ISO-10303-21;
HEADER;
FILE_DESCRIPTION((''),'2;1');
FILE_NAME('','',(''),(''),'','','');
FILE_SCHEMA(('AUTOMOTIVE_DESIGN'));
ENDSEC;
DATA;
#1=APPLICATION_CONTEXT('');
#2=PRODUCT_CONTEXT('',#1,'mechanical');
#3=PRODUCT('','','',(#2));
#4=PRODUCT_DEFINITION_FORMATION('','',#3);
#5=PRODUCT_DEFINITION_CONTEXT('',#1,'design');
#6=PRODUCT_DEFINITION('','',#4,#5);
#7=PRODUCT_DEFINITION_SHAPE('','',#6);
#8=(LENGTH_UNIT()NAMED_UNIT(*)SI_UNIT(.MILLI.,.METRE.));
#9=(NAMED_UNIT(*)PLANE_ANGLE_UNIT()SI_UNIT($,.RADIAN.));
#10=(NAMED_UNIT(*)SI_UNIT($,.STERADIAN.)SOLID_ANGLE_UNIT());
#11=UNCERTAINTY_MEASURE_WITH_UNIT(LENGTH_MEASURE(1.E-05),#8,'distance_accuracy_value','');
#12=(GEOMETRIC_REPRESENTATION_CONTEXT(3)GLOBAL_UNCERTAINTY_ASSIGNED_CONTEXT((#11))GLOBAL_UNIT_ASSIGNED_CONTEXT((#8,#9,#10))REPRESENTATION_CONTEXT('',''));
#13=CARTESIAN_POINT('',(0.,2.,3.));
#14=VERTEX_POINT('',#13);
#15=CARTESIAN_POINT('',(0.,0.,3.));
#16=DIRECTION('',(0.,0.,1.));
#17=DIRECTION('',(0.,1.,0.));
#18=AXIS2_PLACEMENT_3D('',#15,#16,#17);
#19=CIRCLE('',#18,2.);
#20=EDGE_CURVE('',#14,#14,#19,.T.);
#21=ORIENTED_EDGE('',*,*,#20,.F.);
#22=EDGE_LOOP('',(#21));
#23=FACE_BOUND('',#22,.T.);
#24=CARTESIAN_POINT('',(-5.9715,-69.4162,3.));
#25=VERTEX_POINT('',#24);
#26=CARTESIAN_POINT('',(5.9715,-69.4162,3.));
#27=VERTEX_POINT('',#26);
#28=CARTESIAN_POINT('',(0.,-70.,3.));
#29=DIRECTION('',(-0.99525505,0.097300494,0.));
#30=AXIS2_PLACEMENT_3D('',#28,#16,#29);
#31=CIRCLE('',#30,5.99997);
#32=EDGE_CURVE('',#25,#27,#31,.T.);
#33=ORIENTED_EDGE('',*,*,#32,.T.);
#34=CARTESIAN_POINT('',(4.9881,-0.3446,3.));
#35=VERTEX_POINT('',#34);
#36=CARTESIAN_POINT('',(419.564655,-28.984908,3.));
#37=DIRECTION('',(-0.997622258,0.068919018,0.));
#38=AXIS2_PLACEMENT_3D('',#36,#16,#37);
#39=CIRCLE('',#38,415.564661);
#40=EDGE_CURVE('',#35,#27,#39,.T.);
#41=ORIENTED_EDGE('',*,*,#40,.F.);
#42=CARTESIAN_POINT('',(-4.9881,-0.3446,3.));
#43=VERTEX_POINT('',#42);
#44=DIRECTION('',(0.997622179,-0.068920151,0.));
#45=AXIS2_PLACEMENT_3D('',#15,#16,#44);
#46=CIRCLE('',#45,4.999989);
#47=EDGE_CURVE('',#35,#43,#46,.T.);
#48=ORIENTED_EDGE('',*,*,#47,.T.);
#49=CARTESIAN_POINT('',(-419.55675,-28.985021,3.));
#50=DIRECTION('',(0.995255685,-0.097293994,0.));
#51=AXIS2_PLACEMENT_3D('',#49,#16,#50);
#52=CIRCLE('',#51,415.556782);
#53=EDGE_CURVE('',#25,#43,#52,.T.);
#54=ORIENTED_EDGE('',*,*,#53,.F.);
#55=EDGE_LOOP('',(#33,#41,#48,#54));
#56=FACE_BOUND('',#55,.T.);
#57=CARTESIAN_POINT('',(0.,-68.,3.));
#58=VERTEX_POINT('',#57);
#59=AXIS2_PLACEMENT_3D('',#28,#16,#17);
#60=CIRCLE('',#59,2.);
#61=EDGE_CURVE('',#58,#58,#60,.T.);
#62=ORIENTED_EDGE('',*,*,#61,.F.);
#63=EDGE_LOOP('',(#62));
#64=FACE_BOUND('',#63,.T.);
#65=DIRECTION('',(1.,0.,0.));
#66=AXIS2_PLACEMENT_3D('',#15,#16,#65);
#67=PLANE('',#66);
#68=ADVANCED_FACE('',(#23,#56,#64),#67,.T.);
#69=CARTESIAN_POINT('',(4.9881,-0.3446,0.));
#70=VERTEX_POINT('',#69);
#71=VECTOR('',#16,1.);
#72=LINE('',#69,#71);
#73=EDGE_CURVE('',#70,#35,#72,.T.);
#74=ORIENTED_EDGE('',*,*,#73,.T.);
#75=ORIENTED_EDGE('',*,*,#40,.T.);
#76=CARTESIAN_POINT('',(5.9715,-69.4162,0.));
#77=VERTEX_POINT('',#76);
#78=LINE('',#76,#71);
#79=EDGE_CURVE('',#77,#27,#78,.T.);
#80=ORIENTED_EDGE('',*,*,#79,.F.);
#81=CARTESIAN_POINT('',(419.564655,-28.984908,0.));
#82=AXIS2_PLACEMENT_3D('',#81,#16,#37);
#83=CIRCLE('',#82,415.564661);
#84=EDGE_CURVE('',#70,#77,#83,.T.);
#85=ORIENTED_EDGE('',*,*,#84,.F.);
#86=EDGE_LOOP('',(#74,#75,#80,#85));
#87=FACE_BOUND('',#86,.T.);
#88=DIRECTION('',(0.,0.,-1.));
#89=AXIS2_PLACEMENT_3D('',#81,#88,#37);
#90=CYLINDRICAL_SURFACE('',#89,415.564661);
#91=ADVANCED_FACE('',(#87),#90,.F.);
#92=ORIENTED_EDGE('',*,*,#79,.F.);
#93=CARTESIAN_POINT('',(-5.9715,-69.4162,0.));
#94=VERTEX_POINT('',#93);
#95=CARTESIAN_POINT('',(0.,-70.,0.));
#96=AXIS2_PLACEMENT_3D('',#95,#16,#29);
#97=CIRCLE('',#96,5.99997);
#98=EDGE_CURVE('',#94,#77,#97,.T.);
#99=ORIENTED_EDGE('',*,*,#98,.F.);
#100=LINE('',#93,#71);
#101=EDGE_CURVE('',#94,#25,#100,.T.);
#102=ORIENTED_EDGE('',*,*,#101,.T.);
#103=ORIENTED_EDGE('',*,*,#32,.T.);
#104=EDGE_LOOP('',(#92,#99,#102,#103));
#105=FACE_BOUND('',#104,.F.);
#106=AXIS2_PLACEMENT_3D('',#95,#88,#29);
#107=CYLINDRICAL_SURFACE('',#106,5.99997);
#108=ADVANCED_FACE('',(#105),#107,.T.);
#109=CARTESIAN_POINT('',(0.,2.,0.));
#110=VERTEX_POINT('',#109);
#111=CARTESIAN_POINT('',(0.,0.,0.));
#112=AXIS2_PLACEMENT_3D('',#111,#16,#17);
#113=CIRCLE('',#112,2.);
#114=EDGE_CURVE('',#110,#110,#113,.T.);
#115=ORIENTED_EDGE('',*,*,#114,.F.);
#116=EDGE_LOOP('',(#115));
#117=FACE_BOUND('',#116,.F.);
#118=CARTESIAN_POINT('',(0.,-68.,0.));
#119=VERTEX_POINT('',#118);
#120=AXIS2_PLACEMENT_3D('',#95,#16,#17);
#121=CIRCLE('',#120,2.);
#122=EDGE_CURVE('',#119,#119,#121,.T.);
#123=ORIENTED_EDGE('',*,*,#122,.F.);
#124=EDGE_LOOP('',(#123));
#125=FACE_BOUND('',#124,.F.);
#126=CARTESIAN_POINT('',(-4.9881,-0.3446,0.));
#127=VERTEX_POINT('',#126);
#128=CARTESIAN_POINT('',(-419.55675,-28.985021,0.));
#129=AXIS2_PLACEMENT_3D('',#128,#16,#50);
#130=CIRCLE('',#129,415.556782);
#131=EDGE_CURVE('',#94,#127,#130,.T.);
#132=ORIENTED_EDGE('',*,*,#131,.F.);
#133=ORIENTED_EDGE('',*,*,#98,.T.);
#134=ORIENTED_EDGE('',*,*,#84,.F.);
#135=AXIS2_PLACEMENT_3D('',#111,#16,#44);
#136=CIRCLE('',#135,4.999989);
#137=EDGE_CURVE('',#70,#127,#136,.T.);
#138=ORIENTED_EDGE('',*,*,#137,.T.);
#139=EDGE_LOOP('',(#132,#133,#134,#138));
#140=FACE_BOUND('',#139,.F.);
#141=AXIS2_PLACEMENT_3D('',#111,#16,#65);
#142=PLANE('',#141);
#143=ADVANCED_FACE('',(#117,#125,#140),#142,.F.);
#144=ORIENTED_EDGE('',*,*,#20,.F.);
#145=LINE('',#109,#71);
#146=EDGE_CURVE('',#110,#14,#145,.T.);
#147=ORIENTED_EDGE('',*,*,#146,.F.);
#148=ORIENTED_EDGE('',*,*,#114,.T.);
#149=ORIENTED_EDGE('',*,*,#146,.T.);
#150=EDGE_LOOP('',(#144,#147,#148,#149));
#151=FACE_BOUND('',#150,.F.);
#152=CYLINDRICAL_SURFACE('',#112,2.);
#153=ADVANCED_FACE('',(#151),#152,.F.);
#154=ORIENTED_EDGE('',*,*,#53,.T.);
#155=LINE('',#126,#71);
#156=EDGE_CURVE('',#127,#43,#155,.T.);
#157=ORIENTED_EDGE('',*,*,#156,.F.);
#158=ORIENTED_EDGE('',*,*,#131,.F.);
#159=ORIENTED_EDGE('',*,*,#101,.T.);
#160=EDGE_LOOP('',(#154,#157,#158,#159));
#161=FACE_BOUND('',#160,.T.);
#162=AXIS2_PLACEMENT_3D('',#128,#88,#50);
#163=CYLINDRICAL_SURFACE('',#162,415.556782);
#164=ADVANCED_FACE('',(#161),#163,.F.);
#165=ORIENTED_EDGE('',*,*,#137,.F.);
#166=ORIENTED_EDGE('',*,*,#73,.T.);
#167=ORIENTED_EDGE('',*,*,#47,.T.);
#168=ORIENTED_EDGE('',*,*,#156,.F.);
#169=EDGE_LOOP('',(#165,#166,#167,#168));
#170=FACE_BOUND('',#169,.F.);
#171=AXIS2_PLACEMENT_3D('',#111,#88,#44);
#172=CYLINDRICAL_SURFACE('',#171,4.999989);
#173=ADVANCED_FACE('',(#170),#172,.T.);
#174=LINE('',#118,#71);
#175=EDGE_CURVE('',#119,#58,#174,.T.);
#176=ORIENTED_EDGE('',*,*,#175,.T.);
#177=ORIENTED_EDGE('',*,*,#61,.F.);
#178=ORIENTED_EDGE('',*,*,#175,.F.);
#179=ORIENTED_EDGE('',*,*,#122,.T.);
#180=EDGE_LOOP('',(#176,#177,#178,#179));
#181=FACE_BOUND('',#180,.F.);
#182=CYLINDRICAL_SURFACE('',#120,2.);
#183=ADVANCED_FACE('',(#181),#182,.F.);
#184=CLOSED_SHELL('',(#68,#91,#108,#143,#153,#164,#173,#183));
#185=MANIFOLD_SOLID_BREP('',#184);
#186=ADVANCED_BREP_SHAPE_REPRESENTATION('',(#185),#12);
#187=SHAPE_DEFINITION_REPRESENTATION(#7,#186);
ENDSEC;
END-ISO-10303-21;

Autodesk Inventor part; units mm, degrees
ref_plane "YZ Plane" through (0, 0, 0) normal (1, 0, 0) x (0, 1, 0)
ref_plane "XZ Plane" through (0, 0, 0) normal (0, 1, 0) x (-1, 0, 0)
ref_plane "XY Plane" through (0, 0, 0) normal (0, 0, 1) x (1, 0, 0)
sketch "スケッチ1" plane through (0, 0, 0) normal (0, 0, 1) x (1, 0, 0)
  line L0 (0, 0) -> (0, -70) construction
  arc A0 (0, -5) -> (4.9881, -0.3446) centre (0, 0) ccw construction
  arc A1 (0, -64) -> (-5.9715, -69.4162) centre (0, -70) ccw construction
  arc A2 (-5.9715, -69.4162) -> (-4.9881, -0.3446) centre (-419.5607, -28.9848) ccw
  arc A3 (4.9881, -0.3446) -> (5.9715, -69.4162) centre (419.5607, -28.9848) ccw
  arc A4 (-4.9881, -0.3446) -> (0, -5) centre (0, 0) ccw construction
  arc A5 (4.9881, -0.3446) -> (-4.9881, -0.3446) centre (0, 0) ccw
  arc A6 (5.9715, -69.4162) -> (0, -64) centre (0, -70) ccw construction
  arc A7 (-5.9715, -69.4162) -> (5.9715, -69.4162) centre (0, -70) ccw
  line L1 (4, 0) -> (4, -70) construction
  dimension "d0" = 70
  dimension "d1" = 5
  dimension "d2" = 6
  dimension "d4" = 4
extrude "押し出し1" add sketch "スケッチ1" along normal blind 3
hole "穴1" at (0, 0, 0) at (0, -70, 0) direction (0, 0, 1) diameter 4 end through all
properties part number "COXA_ROLL_LONG-LINK"
